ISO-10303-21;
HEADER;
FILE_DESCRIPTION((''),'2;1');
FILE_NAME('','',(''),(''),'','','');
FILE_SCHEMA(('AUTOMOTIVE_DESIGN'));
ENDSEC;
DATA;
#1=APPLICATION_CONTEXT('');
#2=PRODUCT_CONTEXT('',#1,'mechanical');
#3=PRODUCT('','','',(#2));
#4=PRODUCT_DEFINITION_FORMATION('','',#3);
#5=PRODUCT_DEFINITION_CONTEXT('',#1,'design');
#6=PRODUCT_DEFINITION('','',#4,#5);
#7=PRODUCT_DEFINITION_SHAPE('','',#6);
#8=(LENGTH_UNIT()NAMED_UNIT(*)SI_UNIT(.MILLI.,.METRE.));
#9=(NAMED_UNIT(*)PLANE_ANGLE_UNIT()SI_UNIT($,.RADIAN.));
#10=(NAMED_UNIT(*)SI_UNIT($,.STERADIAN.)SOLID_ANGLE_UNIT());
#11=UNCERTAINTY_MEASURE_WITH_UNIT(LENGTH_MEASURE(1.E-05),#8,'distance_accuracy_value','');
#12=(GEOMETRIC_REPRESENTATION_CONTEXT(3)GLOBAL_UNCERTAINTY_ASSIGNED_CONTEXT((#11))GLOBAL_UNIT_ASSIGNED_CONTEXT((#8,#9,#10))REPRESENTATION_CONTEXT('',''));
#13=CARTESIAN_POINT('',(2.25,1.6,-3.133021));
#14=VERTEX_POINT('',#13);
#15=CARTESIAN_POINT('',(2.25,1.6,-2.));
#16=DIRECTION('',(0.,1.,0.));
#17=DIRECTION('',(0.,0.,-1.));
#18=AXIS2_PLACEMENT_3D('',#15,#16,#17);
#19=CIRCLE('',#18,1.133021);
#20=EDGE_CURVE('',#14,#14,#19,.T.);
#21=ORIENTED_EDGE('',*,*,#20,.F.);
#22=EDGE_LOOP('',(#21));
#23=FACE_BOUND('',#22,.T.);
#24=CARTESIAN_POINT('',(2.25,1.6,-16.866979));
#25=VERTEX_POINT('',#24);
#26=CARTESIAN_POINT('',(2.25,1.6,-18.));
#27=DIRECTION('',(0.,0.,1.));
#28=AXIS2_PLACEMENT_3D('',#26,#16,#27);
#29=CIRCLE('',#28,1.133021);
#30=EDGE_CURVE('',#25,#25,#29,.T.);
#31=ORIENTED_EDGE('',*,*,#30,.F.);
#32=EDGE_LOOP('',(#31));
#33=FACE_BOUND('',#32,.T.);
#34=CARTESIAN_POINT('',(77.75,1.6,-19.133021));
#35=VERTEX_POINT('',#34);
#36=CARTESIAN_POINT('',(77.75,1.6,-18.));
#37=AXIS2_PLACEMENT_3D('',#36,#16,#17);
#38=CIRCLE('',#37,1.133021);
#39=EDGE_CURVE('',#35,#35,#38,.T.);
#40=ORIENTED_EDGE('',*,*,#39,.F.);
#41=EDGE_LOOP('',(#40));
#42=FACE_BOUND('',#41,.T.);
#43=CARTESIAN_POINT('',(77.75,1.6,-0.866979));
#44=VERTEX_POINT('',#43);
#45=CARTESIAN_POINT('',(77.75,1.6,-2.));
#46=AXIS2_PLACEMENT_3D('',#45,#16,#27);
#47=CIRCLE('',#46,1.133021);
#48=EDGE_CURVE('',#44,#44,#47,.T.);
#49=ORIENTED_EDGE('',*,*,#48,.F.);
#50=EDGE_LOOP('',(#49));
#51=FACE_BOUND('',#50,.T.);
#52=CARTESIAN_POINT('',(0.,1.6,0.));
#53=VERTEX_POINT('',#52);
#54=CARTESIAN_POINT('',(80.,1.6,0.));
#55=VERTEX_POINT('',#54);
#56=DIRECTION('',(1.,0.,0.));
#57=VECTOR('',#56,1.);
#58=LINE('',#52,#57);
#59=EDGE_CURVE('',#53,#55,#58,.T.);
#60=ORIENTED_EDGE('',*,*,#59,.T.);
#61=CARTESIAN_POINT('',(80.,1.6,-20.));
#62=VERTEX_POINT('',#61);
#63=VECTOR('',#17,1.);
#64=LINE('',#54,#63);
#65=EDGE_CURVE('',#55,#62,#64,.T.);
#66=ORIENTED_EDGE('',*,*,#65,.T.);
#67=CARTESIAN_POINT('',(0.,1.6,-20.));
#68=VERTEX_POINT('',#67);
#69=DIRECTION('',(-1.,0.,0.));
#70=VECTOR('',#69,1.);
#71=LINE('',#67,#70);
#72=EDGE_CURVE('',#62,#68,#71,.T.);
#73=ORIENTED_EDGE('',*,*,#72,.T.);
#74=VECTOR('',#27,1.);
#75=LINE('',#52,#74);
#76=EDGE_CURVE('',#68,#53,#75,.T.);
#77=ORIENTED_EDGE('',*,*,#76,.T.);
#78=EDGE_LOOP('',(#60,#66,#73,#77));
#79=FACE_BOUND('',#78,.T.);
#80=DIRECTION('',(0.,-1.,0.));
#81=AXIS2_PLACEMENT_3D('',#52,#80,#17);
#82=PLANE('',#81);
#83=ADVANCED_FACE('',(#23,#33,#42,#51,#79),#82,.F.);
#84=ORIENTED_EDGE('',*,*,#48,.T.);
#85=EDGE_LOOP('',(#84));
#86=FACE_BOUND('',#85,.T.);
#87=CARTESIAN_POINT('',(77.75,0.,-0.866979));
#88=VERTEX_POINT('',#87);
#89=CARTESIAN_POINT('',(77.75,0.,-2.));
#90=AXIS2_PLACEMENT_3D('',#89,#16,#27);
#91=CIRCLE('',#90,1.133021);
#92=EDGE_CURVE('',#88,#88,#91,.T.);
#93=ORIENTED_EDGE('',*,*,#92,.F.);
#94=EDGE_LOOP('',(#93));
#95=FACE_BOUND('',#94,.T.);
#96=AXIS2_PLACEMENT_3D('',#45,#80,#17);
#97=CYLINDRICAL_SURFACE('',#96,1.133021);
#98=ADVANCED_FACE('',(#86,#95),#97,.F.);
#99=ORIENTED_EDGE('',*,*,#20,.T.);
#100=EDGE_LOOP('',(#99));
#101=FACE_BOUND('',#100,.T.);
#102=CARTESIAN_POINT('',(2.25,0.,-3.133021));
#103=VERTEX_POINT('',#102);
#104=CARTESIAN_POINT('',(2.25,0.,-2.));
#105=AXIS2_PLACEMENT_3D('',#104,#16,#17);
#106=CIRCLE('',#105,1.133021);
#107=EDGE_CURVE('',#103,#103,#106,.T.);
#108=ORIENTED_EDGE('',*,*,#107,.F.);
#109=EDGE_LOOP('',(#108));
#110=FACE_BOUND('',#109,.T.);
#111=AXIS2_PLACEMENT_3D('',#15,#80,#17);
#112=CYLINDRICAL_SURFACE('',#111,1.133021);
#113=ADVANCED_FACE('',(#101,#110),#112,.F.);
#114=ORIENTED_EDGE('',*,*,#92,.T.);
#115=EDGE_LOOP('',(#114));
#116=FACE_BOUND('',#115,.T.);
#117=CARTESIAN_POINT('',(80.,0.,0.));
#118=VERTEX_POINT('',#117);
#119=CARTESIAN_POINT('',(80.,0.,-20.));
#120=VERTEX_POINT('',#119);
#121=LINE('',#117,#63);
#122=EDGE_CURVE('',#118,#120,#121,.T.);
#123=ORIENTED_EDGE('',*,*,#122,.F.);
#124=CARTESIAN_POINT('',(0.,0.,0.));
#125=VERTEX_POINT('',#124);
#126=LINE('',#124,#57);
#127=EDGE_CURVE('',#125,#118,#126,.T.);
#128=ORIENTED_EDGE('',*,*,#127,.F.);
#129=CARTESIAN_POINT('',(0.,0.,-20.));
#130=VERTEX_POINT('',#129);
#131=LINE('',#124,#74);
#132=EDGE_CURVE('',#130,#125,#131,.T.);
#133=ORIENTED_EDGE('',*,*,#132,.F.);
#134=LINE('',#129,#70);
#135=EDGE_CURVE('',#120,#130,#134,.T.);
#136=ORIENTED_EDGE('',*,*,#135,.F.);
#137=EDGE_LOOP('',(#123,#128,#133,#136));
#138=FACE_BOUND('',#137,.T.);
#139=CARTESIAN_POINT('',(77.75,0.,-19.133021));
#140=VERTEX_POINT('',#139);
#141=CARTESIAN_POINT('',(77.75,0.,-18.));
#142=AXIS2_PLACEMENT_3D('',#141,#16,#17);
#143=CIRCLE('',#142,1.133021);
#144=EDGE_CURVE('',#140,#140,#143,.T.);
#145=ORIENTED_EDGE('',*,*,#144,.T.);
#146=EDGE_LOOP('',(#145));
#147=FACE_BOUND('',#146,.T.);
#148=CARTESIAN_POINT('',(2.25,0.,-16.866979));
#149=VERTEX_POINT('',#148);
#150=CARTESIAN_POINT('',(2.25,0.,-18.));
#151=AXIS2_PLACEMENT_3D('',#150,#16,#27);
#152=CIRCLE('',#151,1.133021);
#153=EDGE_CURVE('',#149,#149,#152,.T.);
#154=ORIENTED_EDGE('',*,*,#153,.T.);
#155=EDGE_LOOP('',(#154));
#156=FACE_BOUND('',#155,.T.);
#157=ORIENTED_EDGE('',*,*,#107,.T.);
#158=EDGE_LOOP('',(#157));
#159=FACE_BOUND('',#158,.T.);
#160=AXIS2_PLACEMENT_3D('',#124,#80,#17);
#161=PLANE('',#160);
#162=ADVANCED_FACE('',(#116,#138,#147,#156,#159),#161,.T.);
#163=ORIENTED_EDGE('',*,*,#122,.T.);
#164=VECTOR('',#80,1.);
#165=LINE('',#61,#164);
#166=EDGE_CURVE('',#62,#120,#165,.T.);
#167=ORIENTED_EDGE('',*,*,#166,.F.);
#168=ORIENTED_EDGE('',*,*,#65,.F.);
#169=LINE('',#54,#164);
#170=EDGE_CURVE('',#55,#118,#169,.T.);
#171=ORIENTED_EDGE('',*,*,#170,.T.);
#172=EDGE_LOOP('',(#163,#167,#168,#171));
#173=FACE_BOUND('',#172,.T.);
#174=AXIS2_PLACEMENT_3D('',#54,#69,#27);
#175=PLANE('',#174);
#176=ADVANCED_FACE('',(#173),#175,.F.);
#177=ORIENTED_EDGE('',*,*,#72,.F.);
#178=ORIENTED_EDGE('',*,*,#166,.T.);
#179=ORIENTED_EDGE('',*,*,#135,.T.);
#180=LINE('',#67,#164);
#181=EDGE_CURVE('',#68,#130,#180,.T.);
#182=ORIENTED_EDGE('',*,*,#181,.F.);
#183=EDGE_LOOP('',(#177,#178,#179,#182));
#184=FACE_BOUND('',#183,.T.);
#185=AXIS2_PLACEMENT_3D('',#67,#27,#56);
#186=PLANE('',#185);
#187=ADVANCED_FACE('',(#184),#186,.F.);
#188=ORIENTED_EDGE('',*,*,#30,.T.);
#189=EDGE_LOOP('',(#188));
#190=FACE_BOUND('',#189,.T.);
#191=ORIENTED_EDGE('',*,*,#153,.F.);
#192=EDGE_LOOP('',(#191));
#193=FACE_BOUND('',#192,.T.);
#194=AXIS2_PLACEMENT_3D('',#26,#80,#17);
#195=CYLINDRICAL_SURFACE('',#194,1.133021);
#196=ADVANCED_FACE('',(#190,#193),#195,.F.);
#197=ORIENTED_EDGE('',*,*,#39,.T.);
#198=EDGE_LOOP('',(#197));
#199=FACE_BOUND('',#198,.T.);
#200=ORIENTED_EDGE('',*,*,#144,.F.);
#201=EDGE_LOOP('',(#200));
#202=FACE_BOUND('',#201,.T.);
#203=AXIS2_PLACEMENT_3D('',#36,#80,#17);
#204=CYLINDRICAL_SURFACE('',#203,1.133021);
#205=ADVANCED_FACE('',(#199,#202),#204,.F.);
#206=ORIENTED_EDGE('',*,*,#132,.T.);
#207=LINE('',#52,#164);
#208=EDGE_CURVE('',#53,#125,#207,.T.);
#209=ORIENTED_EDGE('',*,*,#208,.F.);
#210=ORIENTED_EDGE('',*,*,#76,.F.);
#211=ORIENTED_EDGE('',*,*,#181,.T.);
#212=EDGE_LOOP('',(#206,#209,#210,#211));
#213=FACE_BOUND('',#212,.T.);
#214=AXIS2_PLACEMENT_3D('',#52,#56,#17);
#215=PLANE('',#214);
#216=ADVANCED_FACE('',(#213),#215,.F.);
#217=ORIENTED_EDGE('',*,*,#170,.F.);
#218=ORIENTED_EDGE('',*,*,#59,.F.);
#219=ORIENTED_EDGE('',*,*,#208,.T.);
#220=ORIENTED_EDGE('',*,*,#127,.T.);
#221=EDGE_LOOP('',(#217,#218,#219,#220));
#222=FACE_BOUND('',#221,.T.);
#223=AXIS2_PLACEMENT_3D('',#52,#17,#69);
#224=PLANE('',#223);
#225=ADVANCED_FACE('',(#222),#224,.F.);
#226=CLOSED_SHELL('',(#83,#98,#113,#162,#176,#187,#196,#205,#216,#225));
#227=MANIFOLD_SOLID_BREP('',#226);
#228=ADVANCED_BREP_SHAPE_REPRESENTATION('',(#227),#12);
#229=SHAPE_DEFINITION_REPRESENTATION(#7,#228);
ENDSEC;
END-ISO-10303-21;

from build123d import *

# Parameters (mm, degrees)
SKETCH_1_W      = 80
SKETCH_1_H      = 20
SKETCH_1_R      = 1.133021485
EXTRUDE_1_DEPTH = 1.6


with BuildPart() as part:
    # 草图1 → 凸台-拉伸1 (new body)
    with BuildSketch(Plane(origin=(0, 0, 0), x_dir=(1, 0, 0), z_dir=(0, 1, 0))):
        with Locations((40, 10)):
            Rectangle(SKETCH_1_W, SKETCH_1_H)
        with Locations(Location((2.25, 18, 0), (0, 0, 270))):
            Circle(SKETCH_1_R, mode=Mode.SUBTRACT)
        with Locations(Location((77.75, 18, 0), (0, 0, 90))):
            Circle(SKETCH_1_R, mode=Mode.SUBTRACT)
        with Locations(Location((77.75, 2, 0), (0, 0, 270))):
            Circle(SKETCH_1_R, mode=Mode.SUBTRACT)
        with Locations(Location((2.25, 2, 0), (0, 0, 90))):
            Circle(SKETCH_1_R, mode=Mode.SUBTRACT)
    extrude(amount=EXTRUDE_1_DEPTH)


solid = part.part
